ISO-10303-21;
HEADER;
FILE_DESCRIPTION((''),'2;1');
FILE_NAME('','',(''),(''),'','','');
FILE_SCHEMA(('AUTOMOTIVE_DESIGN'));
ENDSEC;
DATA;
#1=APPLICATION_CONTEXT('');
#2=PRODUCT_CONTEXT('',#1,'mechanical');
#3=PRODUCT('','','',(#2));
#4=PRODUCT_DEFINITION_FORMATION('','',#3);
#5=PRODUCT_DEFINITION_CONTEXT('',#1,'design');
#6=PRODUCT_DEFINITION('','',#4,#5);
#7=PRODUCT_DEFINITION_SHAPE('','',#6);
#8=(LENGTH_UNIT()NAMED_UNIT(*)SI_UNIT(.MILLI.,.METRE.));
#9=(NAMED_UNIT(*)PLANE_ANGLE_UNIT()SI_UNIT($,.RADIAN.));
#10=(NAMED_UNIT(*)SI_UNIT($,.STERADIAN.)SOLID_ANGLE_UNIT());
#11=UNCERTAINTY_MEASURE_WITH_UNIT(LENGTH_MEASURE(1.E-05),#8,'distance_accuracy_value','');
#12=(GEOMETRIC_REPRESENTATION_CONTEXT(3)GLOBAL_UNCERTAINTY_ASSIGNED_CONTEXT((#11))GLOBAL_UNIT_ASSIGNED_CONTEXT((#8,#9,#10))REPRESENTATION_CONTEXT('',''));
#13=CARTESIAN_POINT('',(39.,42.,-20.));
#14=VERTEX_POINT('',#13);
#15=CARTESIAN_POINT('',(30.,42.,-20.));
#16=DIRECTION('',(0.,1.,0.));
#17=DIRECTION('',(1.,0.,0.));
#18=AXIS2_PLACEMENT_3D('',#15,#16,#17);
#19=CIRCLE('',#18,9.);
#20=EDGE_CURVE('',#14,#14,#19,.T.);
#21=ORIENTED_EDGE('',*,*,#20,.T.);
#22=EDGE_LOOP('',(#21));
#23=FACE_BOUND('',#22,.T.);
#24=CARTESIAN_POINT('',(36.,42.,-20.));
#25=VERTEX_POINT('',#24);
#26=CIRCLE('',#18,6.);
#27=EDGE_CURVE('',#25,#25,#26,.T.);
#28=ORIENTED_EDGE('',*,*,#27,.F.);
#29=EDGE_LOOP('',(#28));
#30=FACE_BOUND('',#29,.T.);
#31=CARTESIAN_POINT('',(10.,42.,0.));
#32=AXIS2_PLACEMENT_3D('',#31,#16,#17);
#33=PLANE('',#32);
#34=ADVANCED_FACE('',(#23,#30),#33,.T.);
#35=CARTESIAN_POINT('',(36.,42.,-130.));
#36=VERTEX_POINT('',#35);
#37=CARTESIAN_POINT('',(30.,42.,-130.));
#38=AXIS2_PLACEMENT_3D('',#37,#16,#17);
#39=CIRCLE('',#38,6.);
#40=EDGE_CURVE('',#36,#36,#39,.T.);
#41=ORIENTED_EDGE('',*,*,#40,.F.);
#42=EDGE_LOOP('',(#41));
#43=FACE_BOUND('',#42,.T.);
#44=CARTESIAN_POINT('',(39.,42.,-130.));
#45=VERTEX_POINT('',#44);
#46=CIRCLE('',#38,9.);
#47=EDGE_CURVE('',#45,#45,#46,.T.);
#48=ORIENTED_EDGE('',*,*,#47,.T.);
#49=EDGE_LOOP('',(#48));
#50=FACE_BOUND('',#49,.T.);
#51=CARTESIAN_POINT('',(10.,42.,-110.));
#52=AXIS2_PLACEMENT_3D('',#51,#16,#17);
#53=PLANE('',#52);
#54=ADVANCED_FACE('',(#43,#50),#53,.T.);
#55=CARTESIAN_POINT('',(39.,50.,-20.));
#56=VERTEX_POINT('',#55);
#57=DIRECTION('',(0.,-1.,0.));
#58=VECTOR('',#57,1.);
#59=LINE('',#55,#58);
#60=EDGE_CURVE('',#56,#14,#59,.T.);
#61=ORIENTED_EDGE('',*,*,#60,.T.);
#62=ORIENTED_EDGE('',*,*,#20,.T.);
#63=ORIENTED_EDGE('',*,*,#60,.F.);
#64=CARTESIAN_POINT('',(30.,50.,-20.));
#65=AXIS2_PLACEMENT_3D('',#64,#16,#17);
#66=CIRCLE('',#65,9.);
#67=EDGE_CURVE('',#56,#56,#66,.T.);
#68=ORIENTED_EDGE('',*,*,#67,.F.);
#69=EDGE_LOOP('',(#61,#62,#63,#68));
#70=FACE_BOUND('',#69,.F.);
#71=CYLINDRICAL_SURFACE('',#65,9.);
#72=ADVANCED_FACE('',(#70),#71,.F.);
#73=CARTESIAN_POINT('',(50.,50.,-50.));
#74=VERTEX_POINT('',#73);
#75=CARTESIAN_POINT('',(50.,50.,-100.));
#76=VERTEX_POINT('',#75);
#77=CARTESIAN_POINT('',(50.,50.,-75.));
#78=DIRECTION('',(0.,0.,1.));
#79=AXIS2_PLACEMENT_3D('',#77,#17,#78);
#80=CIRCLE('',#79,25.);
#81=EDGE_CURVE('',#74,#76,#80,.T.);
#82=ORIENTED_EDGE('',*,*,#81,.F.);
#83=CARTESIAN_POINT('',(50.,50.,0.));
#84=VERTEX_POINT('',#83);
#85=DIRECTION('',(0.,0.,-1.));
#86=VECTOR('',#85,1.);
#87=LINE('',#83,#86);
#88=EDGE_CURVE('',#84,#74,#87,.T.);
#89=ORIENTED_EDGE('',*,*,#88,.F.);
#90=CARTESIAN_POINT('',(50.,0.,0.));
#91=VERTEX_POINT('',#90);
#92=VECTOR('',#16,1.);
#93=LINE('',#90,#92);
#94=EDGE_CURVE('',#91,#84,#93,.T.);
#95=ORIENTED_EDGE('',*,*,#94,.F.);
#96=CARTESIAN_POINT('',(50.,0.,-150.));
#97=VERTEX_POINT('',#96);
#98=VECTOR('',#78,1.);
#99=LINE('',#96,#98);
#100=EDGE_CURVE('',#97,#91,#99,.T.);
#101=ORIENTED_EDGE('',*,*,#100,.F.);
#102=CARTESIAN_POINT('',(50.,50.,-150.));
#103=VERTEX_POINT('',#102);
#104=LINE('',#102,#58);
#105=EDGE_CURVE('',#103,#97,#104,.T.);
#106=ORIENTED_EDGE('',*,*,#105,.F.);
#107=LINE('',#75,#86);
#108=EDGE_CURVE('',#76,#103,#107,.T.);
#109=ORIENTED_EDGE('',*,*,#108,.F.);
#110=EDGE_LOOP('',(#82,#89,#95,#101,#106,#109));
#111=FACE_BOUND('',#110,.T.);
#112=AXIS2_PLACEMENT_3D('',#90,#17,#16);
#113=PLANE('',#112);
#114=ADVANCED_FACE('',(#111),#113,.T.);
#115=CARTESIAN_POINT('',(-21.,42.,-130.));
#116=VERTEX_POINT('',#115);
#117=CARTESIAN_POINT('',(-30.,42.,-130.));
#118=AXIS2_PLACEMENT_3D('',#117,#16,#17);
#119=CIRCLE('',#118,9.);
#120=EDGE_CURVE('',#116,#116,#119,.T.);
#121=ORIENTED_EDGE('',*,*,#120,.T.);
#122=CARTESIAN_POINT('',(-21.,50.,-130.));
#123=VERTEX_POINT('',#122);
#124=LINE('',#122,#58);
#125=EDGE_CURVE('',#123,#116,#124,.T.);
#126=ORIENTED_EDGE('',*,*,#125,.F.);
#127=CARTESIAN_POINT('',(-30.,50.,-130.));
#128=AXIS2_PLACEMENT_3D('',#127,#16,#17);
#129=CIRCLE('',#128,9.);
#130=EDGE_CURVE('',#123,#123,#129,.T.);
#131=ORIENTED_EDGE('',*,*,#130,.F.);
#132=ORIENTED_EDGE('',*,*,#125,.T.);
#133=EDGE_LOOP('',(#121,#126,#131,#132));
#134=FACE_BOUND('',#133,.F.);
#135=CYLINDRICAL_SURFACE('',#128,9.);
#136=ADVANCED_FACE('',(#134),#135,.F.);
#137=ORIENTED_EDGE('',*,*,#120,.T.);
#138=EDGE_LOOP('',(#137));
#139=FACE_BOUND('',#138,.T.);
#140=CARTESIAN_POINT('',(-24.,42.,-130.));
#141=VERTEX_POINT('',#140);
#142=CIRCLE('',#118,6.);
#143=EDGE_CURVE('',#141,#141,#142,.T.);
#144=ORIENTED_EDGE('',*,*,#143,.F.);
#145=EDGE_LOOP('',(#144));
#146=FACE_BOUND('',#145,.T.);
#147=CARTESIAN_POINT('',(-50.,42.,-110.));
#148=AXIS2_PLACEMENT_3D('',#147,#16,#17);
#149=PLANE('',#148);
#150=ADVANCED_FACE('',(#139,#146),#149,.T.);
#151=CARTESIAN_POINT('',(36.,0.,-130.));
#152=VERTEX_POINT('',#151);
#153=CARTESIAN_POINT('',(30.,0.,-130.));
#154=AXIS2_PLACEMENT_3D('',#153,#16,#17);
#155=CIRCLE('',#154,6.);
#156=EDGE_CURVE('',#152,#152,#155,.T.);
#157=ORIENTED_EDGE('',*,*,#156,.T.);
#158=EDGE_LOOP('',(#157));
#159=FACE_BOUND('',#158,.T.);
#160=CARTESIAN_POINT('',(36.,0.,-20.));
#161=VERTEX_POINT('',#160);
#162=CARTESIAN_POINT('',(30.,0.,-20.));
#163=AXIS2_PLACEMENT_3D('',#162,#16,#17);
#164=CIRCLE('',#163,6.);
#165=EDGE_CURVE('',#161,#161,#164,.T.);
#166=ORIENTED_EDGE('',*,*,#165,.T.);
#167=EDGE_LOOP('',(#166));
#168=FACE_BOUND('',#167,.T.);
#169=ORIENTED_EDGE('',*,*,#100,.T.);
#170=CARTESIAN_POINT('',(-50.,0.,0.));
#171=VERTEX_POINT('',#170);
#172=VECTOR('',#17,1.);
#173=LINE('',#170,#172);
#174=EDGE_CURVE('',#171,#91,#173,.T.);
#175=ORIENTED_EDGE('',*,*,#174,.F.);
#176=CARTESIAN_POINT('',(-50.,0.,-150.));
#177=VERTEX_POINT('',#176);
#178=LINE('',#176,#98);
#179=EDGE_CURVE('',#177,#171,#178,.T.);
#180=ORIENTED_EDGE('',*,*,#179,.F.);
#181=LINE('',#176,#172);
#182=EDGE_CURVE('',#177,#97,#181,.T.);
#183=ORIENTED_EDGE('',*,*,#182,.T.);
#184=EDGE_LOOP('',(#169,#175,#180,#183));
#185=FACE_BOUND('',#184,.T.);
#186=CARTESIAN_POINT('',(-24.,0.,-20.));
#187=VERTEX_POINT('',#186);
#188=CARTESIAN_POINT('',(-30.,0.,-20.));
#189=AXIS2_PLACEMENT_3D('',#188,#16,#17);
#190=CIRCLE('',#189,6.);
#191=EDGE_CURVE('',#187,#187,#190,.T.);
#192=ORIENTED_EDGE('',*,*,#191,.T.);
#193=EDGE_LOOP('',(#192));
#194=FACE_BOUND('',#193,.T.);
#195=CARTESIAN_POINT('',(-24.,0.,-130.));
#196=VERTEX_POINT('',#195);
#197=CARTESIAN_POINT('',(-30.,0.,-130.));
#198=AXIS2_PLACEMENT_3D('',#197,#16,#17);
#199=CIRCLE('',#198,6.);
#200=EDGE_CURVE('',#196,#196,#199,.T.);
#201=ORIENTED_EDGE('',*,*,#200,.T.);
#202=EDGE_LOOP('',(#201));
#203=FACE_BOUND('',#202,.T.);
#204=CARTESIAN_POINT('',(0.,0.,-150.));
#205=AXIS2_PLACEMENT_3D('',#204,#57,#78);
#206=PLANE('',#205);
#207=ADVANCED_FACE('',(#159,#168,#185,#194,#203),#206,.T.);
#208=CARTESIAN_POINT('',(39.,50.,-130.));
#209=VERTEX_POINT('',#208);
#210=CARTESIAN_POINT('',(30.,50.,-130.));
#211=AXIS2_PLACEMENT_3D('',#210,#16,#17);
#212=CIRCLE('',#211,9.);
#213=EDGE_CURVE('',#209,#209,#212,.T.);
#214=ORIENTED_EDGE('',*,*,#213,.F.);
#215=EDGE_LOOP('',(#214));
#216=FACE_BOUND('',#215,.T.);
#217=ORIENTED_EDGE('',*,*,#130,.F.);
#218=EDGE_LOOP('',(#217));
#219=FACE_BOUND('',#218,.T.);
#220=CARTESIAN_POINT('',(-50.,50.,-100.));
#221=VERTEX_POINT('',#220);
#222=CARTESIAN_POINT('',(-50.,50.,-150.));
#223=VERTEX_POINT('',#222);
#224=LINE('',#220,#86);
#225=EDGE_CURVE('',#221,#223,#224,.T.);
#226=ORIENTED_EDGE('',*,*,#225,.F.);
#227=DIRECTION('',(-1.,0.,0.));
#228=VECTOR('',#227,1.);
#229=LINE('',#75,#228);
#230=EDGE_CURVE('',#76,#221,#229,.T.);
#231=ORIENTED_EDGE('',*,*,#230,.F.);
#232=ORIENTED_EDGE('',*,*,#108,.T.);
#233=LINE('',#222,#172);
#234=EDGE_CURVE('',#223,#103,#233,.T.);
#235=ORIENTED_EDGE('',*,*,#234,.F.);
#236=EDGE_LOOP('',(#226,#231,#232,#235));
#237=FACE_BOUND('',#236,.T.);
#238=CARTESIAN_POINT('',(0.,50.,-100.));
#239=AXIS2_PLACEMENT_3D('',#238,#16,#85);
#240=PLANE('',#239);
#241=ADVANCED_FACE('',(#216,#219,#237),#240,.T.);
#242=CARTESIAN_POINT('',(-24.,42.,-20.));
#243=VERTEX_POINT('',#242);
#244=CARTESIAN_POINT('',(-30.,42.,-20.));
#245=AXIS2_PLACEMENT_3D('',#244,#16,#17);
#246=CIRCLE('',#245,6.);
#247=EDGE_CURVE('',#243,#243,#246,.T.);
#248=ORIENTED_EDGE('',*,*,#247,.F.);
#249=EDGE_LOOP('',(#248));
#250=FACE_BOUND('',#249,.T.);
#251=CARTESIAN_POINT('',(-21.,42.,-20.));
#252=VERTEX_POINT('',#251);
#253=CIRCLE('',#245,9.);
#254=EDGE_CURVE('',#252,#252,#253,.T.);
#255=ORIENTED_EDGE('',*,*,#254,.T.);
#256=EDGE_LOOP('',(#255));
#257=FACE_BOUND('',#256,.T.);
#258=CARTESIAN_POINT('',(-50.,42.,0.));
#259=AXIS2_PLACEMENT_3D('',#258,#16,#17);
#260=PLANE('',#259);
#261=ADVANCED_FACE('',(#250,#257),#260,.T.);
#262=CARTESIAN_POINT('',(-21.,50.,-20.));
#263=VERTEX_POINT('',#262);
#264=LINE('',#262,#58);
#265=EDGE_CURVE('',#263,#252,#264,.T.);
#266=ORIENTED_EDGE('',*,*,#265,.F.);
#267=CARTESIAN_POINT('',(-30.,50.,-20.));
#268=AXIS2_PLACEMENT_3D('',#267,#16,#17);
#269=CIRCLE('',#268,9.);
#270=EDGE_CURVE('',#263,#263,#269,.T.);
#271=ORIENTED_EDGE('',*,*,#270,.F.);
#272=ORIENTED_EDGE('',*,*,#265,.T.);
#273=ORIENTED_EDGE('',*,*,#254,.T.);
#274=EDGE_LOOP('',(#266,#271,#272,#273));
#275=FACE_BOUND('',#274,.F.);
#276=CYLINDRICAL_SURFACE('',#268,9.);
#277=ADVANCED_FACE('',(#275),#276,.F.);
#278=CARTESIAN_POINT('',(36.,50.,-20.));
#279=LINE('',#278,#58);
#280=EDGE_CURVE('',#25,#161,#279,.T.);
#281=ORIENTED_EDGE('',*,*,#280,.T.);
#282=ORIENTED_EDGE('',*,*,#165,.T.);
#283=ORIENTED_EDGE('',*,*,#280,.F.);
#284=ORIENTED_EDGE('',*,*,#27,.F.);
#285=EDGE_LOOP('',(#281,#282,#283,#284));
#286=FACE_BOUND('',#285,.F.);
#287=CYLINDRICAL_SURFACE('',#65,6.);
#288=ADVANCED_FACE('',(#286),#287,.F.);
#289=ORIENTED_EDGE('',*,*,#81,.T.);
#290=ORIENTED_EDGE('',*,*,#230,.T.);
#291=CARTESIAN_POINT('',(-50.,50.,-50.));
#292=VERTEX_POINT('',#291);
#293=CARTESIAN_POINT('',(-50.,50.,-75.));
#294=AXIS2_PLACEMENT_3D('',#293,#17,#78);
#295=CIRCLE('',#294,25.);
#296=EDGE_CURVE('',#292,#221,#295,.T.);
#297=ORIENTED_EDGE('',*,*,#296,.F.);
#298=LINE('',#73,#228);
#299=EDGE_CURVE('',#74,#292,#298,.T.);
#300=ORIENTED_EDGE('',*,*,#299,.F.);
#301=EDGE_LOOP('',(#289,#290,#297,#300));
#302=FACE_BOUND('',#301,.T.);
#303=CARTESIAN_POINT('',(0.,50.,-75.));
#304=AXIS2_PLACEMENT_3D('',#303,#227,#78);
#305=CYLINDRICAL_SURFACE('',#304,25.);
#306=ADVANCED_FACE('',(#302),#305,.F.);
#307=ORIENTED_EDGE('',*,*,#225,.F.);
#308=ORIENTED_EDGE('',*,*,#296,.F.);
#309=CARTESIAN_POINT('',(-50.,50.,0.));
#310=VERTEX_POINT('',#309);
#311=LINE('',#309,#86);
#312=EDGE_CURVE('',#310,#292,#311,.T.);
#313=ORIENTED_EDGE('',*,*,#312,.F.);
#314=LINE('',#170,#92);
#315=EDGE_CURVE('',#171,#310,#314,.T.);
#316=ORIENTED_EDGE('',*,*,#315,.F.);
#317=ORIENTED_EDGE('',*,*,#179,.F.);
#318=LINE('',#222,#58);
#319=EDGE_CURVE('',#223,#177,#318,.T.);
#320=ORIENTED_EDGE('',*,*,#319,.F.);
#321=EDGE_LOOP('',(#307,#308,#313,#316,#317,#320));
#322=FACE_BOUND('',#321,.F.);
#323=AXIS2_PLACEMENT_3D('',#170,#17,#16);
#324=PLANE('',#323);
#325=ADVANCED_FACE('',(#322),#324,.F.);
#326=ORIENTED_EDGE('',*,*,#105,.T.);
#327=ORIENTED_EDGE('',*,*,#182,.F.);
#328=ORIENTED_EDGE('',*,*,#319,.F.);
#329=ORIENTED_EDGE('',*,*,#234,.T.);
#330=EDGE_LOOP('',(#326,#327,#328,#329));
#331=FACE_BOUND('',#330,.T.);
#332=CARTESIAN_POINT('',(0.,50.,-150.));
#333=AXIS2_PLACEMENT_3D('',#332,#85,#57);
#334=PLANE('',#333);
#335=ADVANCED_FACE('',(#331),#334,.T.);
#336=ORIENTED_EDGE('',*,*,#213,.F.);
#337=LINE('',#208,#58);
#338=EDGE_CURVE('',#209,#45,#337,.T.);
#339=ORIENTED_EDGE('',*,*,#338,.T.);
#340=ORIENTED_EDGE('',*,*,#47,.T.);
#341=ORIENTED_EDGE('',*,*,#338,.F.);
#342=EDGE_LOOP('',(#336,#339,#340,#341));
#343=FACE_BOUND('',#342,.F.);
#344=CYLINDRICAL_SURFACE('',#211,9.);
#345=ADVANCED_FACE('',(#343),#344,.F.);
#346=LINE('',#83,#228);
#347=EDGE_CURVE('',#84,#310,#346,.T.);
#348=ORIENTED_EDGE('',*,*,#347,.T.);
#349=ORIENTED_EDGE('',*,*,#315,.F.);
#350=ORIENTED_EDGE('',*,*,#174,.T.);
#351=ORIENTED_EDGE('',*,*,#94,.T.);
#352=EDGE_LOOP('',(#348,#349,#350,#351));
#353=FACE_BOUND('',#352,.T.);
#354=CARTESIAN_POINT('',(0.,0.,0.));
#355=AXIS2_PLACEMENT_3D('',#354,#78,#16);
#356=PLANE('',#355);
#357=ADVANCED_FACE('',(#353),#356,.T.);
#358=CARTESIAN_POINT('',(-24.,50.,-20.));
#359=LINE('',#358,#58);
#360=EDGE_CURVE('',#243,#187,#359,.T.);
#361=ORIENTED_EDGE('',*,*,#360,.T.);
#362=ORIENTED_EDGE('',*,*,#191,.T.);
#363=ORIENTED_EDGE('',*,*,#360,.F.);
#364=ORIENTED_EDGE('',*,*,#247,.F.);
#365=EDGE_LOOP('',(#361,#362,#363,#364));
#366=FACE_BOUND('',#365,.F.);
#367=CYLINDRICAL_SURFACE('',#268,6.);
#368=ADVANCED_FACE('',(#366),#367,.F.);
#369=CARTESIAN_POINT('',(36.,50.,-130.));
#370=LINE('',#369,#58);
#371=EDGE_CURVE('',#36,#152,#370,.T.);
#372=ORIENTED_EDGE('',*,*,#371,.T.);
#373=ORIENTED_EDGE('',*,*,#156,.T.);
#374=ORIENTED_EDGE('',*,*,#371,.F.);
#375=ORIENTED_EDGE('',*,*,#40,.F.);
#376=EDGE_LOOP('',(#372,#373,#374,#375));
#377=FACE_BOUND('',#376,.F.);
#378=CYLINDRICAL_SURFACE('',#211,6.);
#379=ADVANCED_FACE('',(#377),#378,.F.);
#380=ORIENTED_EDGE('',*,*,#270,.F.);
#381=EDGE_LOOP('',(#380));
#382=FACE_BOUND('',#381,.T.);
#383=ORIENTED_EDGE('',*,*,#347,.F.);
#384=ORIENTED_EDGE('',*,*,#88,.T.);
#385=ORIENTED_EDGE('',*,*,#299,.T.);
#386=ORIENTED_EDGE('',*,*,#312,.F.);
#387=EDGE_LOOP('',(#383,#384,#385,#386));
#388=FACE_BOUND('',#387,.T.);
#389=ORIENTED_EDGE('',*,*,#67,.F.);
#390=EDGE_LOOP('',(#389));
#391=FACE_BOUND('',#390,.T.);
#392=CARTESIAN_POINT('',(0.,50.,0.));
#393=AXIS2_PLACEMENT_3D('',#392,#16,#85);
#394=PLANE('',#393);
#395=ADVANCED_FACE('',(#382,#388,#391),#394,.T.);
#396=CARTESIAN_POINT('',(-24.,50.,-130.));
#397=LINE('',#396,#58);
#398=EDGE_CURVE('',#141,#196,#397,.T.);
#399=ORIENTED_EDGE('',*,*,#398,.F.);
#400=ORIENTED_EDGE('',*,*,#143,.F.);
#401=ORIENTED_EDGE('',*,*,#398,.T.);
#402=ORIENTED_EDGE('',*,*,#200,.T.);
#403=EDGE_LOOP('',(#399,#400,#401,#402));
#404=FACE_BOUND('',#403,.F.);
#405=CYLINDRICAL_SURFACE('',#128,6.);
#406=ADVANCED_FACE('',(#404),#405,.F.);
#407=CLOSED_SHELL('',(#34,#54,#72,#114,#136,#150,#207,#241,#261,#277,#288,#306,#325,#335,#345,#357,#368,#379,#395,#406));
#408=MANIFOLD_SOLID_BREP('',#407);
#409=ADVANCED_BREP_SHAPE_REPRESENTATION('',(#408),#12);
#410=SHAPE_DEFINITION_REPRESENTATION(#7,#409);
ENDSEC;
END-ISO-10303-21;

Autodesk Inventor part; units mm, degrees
ref_plane "YZ Plane" through (0, 0, 0) normal (1, 0, 0) x (0, 1, 0)
ref_plane "XZ Plane" through (0, 0, 0) normal (0, 1, 0) x (-1, 0, 0)
ref_plane "XY Plane" through (0, 0, 0) normal (0, 0, 1) x (1, 0, 0)
sketch "Sketch1" plane through (0, 0, 0) normal (1, 0, 0) x (0, 1, 0)
  line L0 (0, 0) -> (50, 0)
  line L1 (50, -150) -> (0, -150)
  line L2 (0, -150) -> (0, 0)
  arc A0 (50, -50) -> (50, -100) centre (50, -75) ccw
  line L3 (50, 0) -> (50, -50)
  line L4 (50, -100) -> (50, -150)
  dimension "d0" = 150
  dimension "d2" = 50
  dimension "d3" = 50
extrude "Extrusion1" add sketch "Sketch1" along normal mid plane 100
sketch "Sketch2" plane through (-50, 50, 0) normal (0, 1, 0) x (1, 0, 0)
  circle A0 centre (20, 20) radius 6
  circle A1 centre (20, 20) radius 9
  line L0 (0, 0) -> (100, 0) projected
  line L1 (0, 0) -> (0, 50) projected
  point P0 (50, 0)
  dimension "d6" = 18
  dimension "d7" = 12
  dimension "d8" = 20
  dimension "d9" = 20
extrude "Extrusion2" cut sketch "Sketch2" against normal through all contours A0
extrude "Extrusion3" cut sketch "Sketch2" against normal blind 8 contours A0 | A1
pattern_linear "Rectangular Pattern1" count 2 spacing 110 along (0, 0, -1) count 2 spacing 60 along (1, 0, 0) of "Extrusion3", "Extrusion2"
properties part number "Partdia16"
